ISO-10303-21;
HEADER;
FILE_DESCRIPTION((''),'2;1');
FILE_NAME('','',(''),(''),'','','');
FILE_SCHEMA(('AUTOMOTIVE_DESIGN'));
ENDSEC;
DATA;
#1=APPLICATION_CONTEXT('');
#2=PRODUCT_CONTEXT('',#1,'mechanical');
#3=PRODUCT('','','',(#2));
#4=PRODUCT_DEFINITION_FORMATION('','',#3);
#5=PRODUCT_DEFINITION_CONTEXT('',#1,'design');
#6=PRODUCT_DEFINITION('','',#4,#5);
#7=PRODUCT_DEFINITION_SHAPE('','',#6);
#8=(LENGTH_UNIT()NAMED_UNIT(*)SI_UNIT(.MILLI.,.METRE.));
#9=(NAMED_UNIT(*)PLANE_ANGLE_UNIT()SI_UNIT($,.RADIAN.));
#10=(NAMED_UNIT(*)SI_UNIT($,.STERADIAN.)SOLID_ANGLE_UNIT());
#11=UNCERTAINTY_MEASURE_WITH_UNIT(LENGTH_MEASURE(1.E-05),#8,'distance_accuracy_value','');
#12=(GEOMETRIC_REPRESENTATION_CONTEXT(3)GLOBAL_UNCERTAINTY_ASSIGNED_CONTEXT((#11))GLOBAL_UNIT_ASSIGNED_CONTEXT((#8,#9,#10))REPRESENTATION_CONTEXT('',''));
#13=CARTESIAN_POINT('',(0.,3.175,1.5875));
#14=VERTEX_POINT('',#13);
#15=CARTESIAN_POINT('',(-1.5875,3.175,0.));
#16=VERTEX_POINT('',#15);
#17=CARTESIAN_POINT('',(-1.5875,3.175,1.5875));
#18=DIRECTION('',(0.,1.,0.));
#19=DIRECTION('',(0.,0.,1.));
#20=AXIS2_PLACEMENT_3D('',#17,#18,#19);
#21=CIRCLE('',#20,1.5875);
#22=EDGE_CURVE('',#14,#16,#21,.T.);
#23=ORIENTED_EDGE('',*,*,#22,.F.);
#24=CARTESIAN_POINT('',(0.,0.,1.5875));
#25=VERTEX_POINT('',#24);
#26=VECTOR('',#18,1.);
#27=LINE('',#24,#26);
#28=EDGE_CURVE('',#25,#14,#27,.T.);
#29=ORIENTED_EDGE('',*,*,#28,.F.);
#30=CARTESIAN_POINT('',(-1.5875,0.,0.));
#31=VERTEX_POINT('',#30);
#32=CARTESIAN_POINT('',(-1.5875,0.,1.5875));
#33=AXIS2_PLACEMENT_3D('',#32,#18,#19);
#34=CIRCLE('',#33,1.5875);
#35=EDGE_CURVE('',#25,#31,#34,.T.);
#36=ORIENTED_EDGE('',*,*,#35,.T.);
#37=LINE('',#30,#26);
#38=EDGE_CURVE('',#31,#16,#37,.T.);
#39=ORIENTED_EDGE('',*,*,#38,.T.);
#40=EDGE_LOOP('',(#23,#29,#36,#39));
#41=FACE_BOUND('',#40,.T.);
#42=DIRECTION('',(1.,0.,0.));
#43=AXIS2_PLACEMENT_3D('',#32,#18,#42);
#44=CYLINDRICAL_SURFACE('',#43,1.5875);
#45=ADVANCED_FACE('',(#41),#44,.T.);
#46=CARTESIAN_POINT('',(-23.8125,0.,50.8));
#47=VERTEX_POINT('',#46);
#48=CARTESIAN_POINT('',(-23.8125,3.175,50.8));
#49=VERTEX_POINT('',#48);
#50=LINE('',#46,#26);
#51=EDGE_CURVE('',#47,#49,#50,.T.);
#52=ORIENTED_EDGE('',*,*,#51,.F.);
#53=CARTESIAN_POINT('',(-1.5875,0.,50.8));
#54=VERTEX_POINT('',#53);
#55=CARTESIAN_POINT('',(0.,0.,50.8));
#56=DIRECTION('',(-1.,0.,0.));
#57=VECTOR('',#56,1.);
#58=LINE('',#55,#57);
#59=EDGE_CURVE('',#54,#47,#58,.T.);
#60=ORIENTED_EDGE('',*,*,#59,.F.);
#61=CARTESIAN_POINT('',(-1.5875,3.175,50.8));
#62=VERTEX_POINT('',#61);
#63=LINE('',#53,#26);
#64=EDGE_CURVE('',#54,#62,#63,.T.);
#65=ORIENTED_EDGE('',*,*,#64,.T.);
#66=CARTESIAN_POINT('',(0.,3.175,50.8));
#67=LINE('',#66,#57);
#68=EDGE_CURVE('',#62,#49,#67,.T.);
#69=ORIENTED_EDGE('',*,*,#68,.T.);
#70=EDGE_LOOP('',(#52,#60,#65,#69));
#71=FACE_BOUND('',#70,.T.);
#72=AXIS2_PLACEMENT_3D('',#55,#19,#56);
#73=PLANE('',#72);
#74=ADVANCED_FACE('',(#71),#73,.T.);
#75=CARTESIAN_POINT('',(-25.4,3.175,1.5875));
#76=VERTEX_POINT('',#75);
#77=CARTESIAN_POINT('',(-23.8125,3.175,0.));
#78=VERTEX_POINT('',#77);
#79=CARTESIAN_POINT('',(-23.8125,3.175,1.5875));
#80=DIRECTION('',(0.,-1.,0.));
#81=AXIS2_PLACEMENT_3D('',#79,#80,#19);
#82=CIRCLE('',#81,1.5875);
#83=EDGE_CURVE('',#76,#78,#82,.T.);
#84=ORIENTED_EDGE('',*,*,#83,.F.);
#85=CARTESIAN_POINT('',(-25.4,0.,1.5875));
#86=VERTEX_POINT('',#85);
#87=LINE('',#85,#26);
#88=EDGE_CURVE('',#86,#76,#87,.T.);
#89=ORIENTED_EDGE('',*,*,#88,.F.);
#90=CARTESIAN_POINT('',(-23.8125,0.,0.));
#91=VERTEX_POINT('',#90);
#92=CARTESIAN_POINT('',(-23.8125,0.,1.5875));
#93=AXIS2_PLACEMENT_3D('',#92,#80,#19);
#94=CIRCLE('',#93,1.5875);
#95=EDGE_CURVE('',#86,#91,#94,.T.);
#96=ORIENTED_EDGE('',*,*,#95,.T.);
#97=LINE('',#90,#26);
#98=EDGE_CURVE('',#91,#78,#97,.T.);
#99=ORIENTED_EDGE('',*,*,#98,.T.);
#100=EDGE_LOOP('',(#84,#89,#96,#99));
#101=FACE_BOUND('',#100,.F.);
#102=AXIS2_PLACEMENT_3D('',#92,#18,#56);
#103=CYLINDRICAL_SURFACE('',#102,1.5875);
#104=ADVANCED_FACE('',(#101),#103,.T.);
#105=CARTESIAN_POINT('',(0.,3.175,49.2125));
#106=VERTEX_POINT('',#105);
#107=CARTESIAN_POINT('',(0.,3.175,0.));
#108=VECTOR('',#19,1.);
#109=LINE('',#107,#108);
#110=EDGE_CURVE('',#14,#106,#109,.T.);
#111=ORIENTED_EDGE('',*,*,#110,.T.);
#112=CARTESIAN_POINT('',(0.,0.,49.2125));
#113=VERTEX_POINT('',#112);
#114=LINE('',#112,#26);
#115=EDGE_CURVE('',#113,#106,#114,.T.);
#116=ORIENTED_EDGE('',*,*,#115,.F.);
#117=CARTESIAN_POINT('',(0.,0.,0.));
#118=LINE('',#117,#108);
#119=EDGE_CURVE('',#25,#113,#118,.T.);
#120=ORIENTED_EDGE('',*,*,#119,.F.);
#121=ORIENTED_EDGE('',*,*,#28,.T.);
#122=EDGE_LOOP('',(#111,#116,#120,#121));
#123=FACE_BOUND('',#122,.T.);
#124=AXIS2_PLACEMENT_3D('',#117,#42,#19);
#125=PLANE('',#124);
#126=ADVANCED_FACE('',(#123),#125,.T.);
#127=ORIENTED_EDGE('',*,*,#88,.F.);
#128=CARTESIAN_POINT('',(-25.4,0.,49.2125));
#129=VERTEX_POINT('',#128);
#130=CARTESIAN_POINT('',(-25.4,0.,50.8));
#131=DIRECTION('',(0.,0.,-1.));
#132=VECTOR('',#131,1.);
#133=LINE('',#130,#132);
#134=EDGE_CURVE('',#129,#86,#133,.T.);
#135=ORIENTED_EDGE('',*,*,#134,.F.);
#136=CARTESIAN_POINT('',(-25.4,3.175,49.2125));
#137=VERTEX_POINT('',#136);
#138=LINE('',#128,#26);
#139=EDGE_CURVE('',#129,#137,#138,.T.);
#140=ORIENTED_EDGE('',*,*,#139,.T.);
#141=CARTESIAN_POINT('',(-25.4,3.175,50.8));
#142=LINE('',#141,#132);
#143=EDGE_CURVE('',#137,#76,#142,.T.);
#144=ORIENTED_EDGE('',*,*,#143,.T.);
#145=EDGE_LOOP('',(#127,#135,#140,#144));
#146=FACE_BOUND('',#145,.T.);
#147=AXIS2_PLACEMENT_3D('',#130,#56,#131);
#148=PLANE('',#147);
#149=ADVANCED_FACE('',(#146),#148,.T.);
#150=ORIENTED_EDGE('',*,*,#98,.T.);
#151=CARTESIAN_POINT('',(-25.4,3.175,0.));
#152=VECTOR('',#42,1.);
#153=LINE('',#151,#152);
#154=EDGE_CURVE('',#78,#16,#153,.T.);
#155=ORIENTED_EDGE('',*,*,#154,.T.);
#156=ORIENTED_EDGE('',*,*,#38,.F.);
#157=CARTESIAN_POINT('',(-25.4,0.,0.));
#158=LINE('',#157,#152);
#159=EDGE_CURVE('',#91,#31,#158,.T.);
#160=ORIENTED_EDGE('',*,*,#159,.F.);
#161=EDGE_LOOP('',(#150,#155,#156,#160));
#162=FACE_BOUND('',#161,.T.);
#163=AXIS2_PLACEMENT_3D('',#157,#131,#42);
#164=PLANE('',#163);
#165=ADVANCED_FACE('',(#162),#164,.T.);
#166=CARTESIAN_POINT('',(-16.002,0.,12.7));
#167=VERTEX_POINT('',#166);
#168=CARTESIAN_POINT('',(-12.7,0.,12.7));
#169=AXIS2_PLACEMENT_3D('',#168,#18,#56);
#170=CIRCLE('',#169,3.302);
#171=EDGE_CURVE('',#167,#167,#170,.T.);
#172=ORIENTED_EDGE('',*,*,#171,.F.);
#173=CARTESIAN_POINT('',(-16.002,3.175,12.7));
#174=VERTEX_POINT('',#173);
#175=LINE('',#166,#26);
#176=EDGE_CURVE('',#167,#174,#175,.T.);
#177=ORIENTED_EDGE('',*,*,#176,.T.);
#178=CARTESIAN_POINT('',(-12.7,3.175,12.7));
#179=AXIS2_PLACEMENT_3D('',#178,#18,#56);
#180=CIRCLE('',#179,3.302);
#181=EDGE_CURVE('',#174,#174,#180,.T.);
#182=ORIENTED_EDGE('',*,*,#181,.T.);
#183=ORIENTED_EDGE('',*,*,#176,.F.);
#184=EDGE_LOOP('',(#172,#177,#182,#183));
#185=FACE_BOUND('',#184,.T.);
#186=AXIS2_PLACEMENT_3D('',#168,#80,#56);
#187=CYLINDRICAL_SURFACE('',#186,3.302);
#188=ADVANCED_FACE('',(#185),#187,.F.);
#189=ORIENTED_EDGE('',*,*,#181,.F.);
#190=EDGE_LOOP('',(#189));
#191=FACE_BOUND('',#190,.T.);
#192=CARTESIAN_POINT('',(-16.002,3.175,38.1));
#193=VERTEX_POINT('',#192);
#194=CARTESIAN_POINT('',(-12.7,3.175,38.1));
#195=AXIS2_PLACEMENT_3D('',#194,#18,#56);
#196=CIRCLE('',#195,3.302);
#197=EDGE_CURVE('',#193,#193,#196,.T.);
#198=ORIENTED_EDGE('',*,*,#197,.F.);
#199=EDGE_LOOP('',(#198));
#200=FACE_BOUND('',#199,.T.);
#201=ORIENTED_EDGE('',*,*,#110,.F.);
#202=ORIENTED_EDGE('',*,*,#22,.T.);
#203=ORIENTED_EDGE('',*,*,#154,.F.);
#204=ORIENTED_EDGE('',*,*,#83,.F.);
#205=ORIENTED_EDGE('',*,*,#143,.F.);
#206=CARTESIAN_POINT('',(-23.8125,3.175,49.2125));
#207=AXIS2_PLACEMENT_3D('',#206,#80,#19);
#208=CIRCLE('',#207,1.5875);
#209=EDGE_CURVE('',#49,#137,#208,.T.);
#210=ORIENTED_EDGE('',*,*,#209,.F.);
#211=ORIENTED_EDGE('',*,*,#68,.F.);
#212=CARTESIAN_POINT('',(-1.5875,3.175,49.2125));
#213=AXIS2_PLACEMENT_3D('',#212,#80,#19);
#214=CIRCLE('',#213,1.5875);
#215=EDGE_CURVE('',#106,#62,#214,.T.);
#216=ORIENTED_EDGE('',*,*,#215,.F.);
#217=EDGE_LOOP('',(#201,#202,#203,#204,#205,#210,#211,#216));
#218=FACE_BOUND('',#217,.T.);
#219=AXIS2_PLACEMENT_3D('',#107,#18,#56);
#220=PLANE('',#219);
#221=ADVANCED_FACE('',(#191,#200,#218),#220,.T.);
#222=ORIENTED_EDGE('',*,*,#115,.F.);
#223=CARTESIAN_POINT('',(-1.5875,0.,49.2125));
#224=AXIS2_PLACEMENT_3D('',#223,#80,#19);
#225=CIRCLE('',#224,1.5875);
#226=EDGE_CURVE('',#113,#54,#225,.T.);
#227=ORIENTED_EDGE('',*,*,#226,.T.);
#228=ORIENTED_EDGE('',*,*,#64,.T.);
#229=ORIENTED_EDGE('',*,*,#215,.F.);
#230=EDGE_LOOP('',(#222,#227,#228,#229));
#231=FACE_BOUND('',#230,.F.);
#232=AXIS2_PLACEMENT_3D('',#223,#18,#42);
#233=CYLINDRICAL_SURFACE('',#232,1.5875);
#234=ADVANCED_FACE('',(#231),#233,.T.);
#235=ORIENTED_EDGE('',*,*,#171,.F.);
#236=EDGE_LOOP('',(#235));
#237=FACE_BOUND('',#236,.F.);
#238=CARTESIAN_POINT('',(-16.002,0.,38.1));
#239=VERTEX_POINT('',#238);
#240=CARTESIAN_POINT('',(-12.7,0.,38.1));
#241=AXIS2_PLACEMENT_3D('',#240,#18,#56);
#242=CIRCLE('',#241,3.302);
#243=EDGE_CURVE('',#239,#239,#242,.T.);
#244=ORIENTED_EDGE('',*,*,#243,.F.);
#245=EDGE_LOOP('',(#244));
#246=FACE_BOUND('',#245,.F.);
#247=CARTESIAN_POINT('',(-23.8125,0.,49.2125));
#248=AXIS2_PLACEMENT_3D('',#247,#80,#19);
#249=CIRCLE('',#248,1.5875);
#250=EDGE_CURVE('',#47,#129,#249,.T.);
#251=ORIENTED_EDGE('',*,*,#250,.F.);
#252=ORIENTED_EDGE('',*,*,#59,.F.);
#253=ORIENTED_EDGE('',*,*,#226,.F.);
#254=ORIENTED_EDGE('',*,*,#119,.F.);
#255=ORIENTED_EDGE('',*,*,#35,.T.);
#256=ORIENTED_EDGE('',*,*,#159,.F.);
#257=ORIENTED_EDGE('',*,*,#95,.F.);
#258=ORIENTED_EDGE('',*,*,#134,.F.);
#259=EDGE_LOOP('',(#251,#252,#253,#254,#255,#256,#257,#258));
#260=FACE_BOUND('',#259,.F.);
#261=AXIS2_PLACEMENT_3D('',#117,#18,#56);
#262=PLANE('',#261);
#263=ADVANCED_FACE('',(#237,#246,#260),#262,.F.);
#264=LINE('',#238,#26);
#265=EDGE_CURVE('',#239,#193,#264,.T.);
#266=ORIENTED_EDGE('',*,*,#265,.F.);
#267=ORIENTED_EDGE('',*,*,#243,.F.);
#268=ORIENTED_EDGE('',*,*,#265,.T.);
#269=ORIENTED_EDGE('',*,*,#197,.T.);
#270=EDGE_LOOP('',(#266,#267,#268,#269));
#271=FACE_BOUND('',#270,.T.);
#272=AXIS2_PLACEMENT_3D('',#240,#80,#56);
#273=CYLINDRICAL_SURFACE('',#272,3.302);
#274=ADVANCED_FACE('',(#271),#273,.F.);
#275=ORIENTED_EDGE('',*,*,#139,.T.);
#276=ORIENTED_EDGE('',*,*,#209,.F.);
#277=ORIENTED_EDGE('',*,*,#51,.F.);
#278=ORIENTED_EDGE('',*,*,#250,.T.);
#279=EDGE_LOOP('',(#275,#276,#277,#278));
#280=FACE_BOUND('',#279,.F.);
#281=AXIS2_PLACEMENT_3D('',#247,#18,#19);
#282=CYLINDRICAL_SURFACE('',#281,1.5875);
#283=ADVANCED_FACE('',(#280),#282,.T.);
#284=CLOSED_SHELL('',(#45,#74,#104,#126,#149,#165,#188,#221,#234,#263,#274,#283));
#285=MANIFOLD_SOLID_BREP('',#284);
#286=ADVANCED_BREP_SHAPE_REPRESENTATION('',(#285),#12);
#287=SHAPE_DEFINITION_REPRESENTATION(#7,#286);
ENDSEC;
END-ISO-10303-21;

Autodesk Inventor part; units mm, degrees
ref_plane "YZ Plane" through (0, 0, 0) normal (1, 0, 0) x (0, 1, 0)
ref_plane "XZ Plane" through (0, 0, 0) normal (0, 1, 0) x (-1, 0, 0)
ref_plane "XY Plane" through (0, 0, 0) normal (0, 0, 1) x (1, 0, 0)
sketch "Sketch1" plane through (0, 0, 0) normal (0, 1, 0) x (-1, 0, 0)
  line L0 (0, 0) -> (0, 50.8)
  line L1 (0, 50.8) -> (25.4, 50.8)
  line L2 (25.4, 50.8) -> (25.4, 0)
  line L3 (25.4, 0) -> (0, 0)
  circle A0 centre (12.7, 38.1) radius 3.302
  circle A1 centre (12.7, 12.7) radius 3.302
  line L4 (0, 25.4) -> (25.4, 25.4) construction
  line L5 (12.7, 38.1) -> (12.7, 12.7) construction
  point P0 (12.7, 25.4)
  dimension "d0" = 50.8
  dimension "d1" = 25.4
  dimension "d2" = 6.604
  dimension "d3" = 6.604
  dimension "d4" = 25.4
extrude "Extrusion1" add sketch "Sketch1" along normal blind 3.175
fillet "Fillet1" radius 1.5875 4 edges at (-25.4, 1.5875, 50.8) (0, 1.5875, 50.8) (0, 1.5875, 0) (-25.4, 1.5875, 0)
equation "\"d3\" = d2"
properties part number "Chassis Connector Plate V1.500" material "Aluminum 6061"
